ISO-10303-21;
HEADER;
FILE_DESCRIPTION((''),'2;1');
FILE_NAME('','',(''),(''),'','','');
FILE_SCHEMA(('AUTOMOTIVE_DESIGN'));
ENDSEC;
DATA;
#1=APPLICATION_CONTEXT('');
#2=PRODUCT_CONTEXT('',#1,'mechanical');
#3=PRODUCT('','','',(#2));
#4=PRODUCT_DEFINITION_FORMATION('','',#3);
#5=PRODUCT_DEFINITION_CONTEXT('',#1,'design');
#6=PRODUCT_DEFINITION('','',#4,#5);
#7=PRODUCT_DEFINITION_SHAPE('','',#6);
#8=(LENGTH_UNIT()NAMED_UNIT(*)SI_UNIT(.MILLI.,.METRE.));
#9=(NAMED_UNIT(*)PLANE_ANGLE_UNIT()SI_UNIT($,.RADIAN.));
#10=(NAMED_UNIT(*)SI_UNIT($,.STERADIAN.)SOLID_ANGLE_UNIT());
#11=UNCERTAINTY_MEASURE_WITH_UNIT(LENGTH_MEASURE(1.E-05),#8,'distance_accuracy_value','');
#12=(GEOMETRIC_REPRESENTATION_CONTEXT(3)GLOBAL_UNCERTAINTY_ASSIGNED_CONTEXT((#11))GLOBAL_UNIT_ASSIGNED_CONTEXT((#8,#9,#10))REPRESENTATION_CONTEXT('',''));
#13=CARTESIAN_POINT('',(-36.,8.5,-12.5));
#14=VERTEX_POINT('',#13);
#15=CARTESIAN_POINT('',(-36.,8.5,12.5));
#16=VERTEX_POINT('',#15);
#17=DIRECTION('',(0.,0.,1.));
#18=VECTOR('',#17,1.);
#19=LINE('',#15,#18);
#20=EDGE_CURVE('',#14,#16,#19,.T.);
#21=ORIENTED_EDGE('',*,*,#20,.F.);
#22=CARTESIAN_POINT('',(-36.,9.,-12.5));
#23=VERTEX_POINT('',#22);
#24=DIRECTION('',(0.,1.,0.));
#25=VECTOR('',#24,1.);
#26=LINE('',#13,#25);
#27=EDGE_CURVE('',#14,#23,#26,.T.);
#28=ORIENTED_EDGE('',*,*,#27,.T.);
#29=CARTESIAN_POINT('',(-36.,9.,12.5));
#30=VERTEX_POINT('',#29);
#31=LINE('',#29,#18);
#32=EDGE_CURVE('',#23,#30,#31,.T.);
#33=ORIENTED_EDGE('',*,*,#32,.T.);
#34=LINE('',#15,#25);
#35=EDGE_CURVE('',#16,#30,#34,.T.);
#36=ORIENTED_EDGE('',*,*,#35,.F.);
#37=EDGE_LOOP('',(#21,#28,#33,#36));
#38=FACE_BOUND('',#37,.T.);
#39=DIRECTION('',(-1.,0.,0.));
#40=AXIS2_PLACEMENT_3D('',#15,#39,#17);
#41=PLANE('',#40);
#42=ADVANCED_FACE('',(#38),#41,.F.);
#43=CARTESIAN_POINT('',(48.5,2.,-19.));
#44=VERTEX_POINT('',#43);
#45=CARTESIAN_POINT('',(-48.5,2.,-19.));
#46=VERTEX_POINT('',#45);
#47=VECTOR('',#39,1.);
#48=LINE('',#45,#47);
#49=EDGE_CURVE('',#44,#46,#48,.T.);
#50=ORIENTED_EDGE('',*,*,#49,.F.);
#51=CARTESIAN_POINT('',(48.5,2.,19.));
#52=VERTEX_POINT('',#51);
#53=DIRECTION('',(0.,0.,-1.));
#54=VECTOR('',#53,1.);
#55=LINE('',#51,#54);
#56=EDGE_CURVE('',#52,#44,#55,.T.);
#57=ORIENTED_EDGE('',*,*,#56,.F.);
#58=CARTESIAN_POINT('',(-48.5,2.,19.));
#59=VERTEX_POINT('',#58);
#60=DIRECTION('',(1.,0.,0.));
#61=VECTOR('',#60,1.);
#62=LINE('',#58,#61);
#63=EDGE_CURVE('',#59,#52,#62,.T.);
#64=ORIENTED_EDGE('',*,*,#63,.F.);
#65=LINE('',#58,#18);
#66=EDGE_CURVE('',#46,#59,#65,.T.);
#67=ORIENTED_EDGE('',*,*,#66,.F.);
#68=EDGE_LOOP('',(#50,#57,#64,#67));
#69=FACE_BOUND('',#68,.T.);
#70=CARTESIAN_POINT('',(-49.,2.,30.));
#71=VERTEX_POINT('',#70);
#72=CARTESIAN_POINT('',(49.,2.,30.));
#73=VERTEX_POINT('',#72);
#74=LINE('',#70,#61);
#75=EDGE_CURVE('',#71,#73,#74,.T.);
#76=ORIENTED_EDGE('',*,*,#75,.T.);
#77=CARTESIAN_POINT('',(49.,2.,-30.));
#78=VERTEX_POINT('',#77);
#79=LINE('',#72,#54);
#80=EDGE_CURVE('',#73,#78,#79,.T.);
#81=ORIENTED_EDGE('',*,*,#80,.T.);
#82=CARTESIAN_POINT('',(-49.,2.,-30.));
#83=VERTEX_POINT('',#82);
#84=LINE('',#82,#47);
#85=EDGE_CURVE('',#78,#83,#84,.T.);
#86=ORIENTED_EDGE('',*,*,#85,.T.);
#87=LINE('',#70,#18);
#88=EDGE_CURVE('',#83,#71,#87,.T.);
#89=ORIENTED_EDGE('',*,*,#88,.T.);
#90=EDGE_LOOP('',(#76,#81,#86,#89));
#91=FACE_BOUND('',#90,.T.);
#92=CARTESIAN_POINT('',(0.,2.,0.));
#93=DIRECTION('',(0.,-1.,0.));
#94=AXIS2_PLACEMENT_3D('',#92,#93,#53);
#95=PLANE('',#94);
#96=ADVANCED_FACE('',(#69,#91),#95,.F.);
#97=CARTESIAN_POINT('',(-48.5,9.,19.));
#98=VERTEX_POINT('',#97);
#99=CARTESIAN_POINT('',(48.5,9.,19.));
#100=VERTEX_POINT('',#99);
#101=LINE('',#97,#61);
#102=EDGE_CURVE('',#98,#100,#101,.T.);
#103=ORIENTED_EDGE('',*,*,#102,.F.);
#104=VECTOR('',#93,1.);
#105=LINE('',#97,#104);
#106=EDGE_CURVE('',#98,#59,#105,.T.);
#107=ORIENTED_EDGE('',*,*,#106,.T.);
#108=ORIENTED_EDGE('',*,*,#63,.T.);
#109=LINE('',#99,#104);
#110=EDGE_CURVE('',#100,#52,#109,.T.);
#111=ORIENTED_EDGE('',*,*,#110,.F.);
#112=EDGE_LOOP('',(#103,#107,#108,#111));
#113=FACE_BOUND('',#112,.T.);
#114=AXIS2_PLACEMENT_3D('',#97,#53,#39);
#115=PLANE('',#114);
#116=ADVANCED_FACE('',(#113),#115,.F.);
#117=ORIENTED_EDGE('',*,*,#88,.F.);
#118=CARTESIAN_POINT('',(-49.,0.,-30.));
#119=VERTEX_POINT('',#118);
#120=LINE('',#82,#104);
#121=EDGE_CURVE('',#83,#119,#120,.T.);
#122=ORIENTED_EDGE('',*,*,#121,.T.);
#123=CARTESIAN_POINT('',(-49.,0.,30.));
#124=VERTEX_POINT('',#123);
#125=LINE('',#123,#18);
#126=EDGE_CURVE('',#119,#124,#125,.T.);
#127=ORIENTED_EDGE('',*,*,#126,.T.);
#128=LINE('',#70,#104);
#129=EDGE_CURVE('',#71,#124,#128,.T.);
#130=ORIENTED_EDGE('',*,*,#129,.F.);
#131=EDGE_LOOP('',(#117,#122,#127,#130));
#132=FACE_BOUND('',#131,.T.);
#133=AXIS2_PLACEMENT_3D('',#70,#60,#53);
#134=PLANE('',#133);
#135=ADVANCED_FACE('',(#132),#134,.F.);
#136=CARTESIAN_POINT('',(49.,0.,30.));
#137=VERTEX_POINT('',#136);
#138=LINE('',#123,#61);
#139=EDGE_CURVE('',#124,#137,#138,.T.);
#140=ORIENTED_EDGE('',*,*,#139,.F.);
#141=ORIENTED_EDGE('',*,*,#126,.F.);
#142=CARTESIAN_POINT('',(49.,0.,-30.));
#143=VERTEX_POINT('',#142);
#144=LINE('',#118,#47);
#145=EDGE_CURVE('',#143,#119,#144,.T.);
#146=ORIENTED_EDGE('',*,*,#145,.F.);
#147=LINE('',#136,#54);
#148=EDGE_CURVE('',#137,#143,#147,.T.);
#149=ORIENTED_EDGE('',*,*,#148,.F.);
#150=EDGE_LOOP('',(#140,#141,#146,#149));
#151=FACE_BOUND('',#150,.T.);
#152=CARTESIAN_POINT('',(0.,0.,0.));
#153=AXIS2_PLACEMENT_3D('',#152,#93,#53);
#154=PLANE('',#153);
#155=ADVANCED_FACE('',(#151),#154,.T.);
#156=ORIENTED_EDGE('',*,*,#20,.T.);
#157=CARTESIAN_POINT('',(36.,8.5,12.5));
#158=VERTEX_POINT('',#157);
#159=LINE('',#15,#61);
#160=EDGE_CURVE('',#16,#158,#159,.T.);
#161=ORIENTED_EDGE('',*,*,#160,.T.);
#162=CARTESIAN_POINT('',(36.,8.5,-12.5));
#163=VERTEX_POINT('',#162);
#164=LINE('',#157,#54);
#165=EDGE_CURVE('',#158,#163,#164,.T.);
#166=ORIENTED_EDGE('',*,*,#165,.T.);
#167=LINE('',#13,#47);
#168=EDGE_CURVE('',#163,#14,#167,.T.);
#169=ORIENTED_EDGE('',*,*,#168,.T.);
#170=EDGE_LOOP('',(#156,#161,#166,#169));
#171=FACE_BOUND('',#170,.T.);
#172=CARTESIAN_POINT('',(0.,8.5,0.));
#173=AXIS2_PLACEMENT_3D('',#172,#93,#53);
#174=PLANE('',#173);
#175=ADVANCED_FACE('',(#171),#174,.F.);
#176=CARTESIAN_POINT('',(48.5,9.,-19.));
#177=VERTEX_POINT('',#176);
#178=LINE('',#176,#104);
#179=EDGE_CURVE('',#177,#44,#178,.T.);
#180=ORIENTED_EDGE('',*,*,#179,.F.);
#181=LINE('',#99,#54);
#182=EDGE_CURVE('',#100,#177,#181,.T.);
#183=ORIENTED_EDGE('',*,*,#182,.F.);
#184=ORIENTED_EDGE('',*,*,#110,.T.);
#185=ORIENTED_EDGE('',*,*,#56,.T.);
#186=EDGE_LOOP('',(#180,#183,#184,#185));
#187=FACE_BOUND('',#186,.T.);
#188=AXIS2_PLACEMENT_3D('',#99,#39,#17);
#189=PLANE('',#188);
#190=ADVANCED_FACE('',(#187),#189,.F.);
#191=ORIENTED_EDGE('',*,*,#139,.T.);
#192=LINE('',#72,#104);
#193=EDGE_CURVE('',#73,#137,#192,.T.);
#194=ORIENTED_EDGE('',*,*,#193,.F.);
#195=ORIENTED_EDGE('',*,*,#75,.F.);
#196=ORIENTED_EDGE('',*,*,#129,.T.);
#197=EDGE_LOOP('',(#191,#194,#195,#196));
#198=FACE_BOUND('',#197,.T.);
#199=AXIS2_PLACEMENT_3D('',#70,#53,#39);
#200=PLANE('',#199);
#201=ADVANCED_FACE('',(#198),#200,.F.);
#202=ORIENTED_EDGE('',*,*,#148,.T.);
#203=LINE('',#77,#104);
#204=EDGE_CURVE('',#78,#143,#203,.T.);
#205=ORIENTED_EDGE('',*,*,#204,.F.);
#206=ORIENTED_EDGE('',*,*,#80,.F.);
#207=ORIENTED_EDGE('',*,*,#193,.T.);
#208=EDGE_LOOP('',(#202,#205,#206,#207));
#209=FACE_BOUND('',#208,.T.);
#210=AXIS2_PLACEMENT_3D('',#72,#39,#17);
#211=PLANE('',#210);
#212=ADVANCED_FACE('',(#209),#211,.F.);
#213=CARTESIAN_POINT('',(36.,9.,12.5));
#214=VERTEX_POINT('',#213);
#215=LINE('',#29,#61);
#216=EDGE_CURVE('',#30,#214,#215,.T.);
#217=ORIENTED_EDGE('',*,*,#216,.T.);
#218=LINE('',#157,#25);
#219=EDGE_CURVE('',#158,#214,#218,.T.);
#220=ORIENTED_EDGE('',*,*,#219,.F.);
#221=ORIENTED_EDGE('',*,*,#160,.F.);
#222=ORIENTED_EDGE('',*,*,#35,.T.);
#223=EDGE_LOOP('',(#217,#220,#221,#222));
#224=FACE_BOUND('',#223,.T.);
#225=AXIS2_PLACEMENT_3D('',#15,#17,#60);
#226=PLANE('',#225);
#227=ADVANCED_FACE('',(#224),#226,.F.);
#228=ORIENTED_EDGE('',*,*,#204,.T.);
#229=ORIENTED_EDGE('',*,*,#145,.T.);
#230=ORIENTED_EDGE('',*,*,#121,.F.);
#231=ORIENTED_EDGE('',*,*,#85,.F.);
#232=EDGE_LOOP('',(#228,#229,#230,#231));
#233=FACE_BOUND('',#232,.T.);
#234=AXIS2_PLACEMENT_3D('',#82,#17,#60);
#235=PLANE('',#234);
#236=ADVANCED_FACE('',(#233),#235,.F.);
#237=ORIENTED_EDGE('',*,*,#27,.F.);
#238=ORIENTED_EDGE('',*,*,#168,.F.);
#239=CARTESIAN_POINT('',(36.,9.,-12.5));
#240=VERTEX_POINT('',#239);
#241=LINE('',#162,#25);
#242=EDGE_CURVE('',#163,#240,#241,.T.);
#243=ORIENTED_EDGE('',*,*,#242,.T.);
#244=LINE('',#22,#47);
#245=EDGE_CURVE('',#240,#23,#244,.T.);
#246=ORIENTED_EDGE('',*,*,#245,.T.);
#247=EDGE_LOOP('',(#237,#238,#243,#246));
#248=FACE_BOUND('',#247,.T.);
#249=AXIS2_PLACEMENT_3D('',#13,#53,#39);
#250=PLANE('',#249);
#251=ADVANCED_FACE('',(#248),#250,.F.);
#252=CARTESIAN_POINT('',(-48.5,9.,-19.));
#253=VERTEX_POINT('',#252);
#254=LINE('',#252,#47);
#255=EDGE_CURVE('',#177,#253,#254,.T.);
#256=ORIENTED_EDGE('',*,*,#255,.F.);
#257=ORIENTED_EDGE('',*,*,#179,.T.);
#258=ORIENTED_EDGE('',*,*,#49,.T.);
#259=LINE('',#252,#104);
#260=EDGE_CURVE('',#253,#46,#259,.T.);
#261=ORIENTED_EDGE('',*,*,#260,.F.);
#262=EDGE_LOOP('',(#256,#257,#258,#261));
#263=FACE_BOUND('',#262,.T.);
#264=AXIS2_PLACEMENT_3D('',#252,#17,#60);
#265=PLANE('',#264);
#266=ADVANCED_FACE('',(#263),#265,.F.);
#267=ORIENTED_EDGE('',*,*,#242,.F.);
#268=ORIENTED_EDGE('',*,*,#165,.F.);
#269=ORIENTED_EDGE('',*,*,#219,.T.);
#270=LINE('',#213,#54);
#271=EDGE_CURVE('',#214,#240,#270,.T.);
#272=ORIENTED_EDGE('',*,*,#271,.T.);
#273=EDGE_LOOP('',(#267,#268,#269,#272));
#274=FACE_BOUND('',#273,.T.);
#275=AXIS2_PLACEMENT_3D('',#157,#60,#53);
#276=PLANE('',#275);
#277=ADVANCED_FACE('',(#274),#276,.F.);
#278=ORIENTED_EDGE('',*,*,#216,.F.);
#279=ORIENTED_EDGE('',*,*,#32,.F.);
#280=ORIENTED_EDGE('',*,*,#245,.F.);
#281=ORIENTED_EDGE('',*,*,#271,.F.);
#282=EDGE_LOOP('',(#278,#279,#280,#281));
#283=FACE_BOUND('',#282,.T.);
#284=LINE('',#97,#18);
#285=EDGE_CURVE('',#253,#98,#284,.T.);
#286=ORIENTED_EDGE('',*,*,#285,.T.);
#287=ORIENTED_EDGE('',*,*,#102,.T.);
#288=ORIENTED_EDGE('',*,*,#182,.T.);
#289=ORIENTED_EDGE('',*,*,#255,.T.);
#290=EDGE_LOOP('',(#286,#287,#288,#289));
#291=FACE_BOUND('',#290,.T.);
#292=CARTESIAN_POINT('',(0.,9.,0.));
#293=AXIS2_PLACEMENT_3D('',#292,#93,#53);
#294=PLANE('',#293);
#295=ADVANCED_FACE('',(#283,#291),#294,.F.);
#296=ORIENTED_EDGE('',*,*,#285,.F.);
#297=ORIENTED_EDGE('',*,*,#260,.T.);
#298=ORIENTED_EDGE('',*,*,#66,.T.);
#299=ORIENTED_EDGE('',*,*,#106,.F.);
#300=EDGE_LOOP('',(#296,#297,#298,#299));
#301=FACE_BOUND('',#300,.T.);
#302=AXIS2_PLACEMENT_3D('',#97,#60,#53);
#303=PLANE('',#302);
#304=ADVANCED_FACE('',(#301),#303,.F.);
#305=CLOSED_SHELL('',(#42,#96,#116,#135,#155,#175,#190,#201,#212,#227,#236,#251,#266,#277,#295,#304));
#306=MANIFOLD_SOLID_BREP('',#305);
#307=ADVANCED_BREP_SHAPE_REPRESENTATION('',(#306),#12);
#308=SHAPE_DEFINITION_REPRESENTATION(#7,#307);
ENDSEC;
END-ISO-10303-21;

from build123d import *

# Parameters (mm, degrees)
SKETCH1_W           = 98
SKETCH1_H           = 60
BOSS_EXTRUDE1_DEPTH = 2
SKETCH2_W           = 97
SKETCH2_H           = 38
BOSS_EXTRUDE2_DEPTH = 7
SKETCH4_W           = 72
SKETCH4_H           = 25
CUT_EXTRUDE1_DEPTH  = 0.5


with BuildPart() as part:
    # Sketch1 → Boss-Extrude1 (new body)
    with BuildSketch(Plane(origin=(0, 0, 0), x_dir=(1, 0, 0), z_dir=(0, 1, 0))):
        Rectangle(SKETCH1_W, SKETCH1_H)
    extrude(amount=BOSS_EXTRUDE1_DEPTH)

    # Sketch2 → Boss-Extrude2 (add)
    with BuildSketch(Plane(origin=(0, 2, 0), x_dir=(1, 0, 0), z_dir=(0, 1, 0))):
        Rectangle(SKETCH2_W, SKETCH2_H)
    extrude(amount=BOSS_EXTRUDE2_DEPTH)

    # Sketch4 → Cut-Extrude1 (cut)
    with BuildSketch(Plane(origin=(0, 9, 0), x_dir=(1, 0, 0), z_dir=(0, 1, 0))):
        Rectangle(SKETCH4_W, SKETCH4_H)
    extrude(amount=-CUT_EXTRUDE1_DEPTH, mode=Mode.SUBTRACT)


solid = part.part
